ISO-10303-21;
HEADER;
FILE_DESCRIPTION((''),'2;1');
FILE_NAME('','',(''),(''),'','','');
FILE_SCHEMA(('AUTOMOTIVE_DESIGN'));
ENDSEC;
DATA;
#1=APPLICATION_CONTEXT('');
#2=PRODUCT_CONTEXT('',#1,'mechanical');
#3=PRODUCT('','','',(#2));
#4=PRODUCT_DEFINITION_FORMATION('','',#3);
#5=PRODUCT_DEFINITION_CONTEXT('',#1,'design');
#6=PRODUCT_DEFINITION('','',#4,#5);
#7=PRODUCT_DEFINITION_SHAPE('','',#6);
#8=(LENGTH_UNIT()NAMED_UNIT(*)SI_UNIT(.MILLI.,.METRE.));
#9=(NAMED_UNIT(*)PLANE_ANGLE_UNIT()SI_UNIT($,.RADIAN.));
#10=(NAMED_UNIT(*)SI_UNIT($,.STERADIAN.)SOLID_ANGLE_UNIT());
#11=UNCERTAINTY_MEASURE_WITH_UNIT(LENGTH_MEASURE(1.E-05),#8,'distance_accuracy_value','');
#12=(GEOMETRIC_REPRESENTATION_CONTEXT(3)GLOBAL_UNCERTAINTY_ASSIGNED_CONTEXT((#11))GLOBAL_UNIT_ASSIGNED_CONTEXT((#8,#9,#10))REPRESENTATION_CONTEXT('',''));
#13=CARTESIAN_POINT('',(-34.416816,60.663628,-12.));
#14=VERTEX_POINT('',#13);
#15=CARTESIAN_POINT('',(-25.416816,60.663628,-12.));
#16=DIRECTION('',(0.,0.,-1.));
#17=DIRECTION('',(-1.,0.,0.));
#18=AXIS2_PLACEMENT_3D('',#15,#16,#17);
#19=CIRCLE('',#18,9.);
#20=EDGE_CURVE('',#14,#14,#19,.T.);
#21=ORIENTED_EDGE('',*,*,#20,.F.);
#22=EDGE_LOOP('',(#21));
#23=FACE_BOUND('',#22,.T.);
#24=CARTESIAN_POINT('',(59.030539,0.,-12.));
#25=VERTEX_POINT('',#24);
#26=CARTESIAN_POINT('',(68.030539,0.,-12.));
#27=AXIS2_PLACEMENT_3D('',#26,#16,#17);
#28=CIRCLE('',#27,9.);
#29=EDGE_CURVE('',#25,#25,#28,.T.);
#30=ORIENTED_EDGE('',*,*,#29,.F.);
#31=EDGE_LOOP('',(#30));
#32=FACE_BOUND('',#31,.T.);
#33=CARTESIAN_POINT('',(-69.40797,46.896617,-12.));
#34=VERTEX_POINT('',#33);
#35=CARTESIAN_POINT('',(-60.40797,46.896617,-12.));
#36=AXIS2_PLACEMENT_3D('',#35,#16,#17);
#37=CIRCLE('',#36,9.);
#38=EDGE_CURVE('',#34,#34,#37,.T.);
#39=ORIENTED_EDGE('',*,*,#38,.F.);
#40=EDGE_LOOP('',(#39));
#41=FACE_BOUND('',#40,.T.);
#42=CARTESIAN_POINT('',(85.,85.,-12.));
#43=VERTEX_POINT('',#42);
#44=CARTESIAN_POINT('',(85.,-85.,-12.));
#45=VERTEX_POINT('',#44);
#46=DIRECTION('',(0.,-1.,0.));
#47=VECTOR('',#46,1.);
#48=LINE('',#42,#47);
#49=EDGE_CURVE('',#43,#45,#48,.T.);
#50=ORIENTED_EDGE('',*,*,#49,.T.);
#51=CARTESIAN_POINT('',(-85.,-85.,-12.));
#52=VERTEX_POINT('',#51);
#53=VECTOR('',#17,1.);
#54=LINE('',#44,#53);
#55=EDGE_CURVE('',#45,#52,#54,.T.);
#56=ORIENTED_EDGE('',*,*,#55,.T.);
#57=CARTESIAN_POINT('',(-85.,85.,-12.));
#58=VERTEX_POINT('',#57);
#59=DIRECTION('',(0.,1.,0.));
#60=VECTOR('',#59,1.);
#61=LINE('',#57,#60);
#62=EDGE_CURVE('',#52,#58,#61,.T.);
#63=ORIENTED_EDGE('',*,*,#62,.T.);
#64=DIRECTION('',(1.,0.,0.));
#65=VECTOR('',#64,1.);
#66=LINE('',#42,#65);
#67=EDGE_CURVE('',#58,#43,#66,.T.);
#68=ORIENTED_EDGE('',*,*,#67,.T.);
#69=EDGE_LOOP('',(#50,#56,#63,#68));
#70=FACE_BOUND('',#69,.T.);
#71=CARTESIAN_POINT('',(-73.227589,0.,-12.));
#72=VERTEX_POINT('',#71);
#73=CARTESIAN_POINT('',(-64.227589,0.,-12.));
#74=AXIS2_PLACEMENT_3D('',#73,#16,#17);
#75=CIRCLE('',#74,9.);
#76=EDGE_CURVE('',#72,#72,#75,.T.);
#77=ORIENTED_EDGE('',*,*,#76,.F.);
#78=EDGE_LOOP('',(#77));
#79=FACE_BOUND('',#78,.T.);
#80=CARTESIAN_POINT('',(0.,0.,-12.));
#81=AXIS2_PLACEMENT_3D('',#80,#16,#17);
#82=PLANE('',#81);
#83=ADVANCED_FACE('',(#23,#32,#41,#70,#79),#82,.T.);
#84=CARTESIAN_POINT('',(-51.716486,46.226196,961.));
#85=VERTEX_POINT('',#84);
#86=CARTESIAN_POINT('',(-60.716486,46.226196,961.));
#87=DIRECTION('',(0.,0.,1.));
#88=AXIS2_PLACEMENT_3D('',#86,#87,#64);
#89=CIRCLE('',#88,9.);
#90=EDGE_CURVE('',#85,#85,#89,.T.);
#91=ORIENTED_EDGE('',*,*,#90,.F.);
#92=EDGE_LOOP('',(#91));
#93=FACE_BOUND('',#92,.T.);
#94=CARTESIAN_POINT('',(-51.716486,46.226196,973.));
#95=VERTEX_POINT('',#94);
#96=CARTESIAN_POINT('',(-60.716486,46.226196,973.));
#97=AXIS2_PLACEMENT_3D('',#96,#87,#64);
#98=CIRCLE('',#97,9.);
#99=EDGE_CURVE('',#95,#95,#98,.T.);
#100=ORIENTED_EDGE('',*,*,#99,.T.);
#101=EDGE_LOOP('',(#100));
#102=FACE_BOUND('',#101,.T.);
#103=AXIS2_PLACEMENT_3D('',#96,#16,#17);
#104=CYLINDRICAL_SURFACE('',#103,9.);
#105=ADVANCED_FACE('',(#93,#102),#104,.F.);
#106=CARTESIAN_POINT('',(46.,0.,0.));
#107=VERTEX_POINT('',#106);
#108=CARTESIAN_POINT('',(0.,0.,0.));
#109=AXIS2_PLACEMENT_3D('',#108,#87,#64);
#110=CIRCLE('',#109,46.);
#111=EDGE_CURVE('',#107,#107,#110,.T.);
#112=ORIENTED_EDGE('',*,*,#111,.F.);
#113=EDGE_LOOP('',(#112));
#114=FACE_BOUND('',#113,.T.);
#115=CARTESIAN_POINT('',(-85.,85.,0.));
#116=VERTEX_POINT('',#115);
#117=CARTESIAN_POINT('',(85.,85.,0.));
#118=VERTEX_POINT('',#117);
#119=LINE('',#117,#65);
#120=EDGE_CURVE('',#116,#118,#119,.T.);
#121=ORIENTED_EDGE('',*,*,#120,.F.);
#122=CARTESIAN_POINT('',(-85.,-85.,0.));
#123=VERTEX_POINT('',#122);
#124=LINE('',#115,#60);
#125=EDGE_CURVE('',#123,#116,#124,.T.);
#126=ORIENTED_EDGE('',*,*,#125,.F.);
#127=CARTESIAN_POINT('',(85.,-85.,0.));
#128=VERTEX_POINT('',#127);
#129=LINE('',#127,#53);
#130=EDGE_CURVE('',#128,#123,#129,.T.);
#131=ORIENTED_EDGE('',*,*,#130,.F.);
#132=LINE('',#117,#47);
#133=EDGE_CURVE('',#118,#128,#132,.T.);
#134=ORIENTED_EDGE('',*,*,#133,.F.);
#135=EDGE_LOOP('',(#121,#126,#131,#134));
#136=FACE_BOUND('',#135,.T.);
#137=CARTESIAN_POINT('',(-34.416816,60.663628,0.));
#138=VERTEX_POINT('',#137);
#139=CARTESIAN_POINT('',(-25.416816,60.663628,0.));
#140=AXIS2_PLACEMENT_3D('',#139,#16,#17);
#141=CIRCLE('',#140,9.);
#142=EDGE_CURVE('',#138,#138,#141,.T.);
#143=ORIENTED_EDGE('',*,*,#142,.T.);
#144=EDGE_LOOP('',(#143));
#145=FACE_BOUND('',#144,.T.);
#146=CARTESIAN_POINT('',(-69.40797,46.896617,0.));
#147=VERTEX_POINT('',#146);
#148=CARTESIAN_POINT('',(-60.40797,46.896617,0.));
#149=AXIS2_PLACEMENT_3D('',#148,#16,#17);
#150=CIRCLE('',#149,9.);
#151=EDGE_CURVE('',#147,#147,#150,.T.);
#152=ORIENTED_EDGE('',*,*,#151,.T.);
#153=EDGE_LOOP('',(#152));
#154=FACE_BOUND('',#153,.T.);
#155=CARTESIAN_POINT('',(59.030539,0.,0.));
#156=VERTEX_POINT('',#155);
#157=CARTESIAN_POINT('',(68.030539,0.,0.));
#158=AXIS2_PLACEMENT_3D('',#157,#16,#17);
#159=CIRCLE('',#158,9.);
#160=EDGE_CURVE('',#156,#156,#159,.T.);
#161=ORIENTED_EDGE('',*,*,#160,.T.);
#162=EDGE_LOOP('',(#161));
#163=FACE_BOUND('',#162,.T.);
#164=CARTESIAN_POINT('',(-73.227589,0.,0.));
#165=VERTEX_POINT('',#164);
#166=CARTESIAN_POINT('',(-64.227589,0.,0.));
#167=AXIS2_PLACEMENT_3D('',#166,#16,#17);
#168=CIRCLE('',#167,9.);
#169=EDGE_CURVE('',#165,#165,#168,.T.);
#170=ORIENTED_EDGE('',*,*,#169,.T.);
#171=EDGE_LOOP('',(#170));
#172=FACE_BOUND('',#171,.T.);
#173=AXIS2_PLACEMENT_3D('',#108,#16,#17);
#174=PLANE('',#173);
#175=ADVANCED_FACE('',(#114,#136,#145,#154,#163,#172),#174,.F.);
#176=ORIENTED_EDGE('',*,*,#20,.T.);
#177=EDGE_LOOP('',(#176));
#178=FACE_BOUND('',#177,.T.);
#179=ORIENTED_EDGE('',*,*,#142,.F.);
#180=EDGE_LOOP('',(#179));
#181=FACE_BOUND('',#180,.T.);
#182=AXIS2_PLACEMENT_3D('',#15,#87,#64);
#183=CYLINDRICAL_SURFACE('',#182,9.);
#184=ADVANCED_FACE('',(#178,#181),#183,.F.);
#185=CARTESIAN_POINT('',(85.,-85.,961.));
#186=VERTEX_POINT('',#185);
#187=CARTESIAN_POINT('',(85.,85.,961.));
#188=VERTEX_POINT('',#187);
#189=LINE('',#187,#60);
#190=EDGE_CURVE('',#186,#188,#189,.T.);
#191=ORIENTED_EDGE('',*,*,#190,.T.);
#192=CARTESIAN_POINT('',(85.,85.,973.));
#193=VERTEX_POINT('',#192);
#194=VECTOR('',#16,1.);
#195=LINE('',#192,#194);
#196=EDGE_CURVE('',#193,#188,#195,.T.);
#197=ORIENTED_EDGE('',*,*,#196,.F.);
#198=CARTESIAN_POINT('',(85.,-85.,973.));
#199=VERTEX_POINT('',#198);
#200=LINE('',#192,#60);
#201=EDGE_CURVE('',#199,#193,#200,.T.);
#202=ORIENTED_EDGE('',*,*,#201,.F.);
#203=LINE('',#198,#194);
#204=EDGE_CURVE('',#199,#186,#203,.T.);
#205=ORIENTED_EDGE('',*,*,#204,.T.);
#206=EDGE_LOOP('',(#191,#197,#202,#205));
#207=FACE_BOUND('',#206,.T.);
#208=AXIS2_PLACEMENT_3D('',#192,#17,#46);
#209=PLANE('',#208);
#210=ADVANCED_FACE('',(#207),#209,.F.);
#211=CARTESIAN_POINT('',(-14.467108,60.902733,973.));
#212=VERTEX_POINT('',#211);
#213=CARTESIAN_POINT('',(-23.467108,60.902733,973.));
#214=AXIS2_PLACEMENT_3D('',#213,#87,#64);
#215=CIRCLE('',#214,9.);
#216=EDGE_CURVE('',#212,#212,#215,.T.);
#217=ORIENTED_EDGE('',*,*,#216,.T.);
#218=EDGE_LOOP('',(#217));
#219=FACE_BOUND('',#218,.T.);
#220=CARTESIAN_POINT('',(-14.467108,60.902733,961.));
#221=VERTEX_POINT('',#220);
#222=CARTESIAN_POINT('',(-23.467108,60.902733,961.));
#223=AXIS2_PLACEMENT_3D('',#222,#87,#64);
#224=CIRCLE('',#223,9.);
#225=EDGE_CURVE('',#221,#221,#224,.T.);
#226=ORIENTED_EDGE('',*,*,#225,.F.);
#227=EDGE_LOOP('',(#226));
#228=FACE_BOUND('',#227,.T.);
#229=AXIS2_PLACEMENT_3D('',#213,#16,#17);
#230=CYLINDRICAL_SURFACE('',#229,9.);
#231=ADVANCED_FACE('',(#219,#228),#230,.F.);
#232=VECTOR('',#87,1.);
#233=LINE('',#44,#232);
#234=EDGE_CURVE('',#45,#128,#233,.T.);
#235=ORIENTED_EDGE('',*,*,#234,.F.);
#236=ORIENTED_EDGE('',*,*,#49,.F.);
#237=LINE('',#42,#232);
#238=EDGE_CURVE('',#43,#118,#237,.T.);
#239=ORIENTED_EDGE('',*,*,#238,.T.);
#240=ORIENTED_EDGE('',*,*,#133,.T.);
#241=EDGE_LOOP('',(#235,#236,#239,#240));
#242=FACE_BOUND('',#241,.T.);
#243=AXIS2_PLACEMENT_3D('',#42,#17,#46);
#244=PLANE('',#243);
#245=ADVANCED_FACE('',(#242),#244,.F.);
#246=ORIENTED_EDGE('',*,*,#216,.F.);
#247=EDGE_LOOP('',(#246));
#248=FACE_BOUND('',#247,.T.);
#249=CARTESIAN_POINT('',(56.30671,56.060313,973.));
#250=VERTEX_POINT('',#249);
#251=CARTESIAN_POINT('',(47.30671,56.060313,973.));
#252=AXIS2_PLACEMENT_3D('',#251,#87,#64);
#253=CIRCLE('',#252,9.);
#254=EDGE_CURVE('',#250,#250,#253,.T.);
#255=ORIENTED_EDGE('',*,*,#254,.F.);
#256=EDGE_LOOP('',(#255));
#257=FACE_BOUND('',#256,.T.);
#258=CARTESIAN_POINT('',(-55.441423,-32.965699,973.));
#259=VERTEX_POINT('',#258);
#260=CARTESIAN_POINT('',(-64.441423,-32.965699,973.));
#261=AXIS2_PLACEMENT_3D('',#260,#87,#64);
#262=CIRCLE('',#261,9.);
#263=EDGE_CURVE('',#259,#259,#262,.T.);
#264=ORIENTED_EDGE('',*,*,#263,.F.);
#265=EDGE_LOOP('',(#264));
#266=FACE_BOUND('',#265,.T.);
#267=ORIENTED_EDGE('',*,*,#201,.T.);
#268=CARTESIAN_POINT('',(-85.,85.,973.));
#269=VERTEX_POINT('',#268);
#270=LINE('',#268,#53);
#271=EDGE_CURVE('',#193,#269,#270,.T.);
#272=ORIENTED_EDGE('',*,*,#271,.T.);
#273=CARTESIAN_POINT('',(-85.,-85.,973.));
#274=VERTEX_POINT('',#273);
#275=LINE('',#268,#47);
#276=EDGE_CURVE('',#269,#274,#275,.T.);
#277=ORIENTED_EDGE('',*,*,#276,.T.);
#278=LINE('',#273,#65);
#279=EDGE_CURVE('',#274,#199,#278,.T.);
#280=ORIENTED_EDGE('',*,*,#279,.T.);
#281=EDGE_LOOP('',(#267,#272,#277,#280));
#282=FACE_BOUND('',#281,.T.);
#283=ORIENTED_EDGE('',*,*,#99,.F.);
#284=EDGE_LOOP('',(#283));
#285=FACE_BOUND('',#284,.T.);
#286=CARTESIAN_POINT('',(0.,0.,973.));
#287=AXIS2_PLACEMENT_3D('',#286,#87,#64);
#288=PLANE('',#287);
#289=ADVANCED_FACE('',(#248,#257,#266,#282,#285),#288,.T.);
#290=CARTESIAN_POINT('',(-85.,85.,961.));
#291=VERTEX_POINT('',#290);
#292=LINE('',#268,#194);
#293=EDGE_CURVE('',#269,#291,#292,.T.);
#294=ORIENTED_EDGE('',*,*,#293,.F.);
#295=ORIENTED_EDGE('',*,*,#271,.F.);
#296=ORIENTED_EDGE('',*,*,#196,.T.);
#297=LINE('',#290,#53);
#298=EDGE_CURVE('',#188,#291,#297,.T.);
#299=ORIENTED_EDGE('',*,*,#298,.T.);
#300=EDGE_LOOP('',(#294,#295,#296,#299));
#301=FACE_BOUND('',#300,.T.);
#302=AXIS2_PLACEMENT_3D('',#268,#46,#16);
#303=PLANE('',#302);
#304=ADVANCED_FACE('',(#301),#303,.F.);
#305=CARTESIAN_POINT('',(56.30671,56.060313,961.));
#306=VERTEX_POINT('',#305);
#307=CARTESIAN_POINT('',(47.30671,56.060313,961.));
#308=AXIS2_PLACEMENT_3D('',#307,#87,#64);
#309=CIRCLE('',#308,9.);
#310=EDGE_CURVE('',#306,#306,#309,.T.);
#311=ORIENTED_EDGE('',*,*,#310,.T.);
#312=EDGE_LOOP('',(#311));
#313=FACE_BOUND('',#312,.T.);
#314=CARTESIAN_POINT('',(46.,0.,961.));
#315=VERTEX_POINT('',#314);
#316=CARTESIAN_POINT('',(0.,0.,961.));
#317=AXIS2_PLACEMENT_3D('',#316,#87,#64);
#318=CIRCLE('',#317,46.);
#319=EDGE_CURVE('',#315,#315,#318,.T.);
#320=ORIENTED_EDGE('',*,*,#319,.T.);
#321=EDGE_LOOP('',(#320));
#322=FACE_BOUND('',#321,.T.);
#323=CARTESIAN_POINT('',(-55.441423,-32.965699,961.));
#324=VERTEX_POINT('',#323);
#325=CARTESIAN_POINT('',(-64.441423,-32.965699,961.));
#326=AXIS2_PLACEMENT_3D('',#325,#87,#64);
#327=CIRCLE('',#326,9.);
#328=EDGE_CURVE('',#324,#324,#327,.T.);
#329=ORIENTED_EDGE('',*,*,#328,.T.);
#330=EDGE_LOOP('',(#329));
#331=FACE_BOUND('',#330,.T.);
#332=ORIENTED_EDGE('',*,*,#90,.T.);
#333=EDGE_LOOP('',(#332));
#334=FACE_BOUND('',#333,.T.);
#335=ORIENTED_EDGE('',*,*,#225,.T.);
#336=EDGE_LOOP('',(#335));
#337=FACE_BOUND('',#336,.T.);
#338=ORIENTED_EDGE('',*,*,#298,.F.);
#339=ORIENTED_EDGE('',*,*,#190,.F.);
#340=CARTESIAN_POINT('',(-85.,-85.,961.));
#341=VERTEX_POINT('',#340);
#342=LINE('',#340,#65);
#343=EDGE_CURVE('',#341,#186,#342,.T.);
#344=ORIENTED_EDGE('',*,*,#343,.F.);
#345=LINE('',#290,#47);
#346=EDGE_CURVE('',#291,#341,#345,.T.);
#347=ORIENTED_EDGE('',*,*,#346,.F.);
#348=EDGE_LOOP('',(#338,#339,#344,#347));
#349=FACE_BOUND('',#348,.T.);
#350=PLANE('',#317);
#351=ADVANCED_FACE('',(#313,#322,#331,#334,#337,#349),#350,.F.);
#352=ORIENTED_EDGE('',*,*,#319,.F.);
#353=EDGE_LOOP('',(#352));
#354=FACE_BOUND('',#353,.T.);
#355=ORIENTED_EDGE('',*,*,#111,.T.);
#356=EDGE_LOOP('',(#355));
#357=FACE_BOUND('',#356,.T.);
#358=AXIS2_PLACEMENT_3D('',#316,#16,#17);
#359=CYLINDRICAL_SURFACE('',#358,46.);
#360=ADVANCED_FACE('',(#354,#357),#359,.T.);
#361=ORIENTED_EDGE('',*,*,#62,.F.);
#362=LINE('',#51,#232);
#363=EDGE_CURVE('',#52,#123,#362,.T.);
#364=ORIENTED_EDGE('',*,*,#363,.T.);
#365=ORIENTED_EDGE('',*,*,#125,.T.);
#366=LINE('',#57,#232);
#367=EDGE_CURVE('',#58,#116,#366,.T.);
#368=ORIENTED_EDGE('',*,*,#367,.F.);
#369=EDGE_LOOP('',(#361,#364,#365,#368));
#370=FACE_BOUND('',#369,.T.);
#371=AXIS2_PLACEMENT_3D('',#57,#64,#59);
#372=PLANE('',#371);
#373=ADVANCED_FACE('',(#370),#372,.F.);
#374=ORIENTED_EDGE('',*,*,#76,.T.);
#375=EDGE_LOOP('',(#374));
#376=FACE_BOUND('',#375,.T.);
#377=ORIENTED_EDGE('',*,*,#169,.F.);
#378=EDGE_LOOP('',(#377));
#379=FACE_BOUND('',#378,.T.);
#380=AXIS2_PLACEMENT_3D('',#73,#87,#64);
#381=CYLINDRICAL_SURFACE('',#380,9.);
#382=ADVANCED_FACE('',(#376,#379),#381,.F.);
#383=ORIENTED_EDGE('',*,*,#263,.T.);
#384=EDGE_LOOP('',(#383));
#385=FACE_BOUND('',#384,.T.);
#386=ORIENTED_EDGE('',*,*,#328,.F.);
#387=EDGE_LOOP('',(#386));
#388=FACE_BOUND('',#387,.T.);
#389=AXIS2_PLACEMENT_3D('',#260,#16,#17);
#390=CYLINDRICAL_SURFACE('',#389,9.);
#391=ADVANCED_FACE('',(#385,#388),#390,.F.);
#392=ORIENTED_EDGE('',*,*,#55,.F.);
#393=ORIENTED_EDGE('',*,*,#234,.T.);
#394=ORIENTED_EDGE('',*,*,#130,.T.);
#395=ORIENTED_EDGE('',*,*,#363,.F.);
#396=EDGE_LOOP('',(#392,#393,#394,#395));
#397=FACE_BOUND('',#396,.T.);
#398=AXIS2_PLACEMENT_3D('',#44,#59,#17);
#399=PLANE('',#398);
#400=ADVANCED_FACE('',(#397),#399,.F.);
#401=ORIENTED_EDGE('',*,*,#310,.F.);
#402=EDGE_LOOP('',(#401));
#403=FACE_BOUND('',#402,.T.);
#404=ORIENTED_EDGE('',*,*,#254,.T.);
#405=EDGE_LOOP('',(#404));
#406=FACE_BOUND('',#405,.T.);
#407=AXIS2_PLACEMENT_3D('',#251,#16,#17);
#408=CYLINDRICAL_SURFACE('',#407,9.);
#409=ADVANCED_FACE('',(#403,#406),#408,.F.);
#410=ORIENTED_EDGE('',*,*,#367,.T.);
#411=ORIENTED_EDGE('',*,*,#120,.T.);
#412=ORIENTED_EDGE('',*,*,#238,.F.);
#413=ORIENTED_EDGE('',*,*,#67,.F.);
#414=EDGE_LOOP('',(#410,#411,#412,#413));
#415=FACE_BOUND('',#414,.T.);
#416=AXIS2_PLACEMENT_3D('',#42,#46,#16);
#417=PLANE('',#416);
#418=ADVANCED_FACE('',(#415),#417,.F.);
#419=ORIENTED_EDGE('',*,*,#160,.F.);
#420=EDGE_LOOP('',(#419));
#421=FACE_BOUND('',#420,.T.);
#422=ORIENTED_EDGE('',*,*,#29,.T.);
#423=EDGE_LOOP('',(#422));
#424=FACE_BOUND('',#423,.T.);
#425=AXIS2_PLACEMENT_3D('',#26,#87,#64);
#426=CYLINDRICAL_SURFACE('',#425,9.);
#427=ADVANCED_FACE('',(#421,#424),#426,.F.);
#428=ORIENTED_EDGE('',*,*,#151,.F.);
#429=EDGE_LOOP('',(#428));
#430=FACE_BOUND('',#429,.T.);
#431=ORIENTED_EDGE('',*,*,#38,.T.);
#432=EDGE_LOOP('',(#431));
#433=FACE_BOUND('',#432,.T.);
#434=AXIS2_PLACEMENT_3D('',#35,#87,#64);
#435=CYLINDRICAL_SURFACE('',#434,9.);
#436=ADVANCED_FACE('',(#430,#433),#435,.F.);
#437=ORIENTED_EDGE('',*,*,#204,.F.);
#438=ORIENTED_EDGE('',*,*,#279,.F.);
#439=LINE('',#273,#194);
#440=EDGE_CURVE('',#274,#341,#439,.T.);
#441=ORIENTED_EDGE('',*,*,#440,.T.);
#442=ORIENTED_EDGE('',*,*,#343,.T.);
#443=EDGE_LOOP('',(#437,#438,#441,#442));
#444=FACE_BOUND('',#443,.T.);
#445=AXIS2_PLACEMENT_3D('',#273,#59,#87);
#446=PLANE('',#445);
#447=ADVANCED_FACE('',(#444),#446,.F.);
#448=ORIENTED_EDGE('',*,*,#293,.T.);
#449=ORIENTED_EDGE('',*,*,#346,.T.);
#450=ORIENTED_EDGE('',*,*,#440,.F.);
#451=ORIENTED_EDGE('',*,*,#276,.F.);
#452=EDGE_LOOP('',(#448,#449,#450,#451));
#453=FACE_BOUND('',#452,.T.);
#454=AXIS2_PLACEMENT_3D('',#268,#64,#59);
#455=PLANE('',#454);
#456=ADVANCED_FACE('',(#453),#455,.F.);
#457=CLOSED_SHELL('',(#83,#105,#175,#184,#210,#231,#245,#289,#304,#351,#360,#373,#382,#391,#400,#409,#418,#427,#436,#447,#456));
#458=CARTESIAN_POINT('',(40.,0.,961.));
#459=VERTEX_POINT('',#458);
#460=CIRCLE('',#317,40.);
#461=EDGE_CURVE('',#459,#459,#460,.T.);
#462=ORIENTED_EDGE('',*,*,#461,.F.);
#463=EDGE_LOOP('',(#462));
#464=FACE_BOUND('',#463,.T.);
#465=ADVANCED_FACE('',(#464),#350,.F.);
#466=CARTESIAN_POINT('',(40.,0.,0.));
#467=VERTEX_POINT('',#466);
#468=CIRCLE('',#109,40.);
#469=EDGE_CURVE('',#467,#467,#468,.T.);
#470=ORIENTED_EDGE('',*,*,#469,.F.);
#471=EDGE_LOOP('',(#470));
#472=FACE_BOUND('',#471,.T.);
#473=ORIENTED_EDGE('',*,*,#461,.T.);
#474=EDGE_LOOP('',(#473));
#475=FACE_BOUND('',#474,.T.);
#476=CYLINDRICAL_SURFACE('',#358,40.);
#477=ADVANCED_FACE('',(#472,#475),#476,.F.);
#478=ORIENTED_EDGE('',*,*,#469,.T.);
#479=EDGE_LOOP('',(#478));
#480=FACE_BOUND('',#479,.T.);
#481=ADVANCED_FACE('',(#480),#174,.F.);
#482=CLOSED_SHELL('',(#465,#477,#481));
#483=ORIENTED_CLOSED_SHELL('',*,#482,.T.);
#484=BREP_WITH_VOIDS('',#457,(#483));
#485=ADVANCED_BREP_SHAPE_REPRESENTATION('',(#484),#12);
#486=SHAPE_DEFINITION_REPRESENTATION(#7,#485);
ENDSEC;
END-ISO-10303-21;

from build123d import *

# Parameters (mm, degrees)
SKETCH1_R           = 46
SKETCH1_R_2         = 40
BOSS_EXTRUDE1_DEPTH = 961
SKETCH2_W           = 170
SKETCH2_H           = 170
SKETCH2_R           = 9
BOSS_EXTRUDE2_DEPTH = 12
SKETCH3_W           = 170
SKETCH3_H           = 170
SKETCH3_R           = 9
BOSS_EXTRUDE3_DEPTH = 12


with BuildPart() as part:
    # Sketch1 → Boss-Extrude1 (new body)
    with BuildSketch(Plane.XY):
        Circle(SKETCH1_R)
        Circle(SKETCH1_R_2, mode=Mode.SUBTRACT)
    extrude(amount=BOSS_EXTRUDE1_DEPTH)

    # Sketch2 → Boss-Extrude2 (add)
    with BuildSketch(Plane(origin=(0, 0, 0), x_dir=(-1, 0, 0), z_dir=(0, 0, -1))):
        Rectangle(SKETCH2_W, SKETCH2_H)
        with Locations((64.227589169, 0)):
            Circle(SKETCH2_R, mode=Mode.SUBTRACT)
        with Locations((-68.030538528, 0)):
            Circle(SKETCH2_R, mode=Mode.SUBTRACT)
        with Locations((60.407969797, 46.896616819)):
            Circle(SKETCH2_R, mode=Mode.SUBTRACT)
        with Locations((25.416815813, 60.663628222)):
            Circle(SKETCH2_R, mode=Mode.SUBTRACT)
    extrude(amount=BOSS_EXTRUDE2_DEPTH)

    # Sketch3 → Boss-Extrude3 (add)
    with BuildSketch(Plane.XY.offset(961)):
        Rectangle(SKETCH3_W, SKETCH3_H)
        with Locations((47.306709653, 56.060313407)):
            Circle(SKETCH3_R, mode=Mode.SUBTRACT)
        with Locations((-23.467107938, 60.902732505)):
            Circle(SKETCH3_R, mode=Mode.SUBTRACT)
        with Locations((-60.716485617, 46.226195512)):
            Circle(SKETCH3_R, mode=Mode.SUBTRACT)
        with Locations((-64.441423385, -32.965699246)):
            Circle(SKETCH3_R, mode=Mode.SUBTRACT)
    extrude(amount=BOSS_EXTRUDE3_DEPTH)


solid = part.part
